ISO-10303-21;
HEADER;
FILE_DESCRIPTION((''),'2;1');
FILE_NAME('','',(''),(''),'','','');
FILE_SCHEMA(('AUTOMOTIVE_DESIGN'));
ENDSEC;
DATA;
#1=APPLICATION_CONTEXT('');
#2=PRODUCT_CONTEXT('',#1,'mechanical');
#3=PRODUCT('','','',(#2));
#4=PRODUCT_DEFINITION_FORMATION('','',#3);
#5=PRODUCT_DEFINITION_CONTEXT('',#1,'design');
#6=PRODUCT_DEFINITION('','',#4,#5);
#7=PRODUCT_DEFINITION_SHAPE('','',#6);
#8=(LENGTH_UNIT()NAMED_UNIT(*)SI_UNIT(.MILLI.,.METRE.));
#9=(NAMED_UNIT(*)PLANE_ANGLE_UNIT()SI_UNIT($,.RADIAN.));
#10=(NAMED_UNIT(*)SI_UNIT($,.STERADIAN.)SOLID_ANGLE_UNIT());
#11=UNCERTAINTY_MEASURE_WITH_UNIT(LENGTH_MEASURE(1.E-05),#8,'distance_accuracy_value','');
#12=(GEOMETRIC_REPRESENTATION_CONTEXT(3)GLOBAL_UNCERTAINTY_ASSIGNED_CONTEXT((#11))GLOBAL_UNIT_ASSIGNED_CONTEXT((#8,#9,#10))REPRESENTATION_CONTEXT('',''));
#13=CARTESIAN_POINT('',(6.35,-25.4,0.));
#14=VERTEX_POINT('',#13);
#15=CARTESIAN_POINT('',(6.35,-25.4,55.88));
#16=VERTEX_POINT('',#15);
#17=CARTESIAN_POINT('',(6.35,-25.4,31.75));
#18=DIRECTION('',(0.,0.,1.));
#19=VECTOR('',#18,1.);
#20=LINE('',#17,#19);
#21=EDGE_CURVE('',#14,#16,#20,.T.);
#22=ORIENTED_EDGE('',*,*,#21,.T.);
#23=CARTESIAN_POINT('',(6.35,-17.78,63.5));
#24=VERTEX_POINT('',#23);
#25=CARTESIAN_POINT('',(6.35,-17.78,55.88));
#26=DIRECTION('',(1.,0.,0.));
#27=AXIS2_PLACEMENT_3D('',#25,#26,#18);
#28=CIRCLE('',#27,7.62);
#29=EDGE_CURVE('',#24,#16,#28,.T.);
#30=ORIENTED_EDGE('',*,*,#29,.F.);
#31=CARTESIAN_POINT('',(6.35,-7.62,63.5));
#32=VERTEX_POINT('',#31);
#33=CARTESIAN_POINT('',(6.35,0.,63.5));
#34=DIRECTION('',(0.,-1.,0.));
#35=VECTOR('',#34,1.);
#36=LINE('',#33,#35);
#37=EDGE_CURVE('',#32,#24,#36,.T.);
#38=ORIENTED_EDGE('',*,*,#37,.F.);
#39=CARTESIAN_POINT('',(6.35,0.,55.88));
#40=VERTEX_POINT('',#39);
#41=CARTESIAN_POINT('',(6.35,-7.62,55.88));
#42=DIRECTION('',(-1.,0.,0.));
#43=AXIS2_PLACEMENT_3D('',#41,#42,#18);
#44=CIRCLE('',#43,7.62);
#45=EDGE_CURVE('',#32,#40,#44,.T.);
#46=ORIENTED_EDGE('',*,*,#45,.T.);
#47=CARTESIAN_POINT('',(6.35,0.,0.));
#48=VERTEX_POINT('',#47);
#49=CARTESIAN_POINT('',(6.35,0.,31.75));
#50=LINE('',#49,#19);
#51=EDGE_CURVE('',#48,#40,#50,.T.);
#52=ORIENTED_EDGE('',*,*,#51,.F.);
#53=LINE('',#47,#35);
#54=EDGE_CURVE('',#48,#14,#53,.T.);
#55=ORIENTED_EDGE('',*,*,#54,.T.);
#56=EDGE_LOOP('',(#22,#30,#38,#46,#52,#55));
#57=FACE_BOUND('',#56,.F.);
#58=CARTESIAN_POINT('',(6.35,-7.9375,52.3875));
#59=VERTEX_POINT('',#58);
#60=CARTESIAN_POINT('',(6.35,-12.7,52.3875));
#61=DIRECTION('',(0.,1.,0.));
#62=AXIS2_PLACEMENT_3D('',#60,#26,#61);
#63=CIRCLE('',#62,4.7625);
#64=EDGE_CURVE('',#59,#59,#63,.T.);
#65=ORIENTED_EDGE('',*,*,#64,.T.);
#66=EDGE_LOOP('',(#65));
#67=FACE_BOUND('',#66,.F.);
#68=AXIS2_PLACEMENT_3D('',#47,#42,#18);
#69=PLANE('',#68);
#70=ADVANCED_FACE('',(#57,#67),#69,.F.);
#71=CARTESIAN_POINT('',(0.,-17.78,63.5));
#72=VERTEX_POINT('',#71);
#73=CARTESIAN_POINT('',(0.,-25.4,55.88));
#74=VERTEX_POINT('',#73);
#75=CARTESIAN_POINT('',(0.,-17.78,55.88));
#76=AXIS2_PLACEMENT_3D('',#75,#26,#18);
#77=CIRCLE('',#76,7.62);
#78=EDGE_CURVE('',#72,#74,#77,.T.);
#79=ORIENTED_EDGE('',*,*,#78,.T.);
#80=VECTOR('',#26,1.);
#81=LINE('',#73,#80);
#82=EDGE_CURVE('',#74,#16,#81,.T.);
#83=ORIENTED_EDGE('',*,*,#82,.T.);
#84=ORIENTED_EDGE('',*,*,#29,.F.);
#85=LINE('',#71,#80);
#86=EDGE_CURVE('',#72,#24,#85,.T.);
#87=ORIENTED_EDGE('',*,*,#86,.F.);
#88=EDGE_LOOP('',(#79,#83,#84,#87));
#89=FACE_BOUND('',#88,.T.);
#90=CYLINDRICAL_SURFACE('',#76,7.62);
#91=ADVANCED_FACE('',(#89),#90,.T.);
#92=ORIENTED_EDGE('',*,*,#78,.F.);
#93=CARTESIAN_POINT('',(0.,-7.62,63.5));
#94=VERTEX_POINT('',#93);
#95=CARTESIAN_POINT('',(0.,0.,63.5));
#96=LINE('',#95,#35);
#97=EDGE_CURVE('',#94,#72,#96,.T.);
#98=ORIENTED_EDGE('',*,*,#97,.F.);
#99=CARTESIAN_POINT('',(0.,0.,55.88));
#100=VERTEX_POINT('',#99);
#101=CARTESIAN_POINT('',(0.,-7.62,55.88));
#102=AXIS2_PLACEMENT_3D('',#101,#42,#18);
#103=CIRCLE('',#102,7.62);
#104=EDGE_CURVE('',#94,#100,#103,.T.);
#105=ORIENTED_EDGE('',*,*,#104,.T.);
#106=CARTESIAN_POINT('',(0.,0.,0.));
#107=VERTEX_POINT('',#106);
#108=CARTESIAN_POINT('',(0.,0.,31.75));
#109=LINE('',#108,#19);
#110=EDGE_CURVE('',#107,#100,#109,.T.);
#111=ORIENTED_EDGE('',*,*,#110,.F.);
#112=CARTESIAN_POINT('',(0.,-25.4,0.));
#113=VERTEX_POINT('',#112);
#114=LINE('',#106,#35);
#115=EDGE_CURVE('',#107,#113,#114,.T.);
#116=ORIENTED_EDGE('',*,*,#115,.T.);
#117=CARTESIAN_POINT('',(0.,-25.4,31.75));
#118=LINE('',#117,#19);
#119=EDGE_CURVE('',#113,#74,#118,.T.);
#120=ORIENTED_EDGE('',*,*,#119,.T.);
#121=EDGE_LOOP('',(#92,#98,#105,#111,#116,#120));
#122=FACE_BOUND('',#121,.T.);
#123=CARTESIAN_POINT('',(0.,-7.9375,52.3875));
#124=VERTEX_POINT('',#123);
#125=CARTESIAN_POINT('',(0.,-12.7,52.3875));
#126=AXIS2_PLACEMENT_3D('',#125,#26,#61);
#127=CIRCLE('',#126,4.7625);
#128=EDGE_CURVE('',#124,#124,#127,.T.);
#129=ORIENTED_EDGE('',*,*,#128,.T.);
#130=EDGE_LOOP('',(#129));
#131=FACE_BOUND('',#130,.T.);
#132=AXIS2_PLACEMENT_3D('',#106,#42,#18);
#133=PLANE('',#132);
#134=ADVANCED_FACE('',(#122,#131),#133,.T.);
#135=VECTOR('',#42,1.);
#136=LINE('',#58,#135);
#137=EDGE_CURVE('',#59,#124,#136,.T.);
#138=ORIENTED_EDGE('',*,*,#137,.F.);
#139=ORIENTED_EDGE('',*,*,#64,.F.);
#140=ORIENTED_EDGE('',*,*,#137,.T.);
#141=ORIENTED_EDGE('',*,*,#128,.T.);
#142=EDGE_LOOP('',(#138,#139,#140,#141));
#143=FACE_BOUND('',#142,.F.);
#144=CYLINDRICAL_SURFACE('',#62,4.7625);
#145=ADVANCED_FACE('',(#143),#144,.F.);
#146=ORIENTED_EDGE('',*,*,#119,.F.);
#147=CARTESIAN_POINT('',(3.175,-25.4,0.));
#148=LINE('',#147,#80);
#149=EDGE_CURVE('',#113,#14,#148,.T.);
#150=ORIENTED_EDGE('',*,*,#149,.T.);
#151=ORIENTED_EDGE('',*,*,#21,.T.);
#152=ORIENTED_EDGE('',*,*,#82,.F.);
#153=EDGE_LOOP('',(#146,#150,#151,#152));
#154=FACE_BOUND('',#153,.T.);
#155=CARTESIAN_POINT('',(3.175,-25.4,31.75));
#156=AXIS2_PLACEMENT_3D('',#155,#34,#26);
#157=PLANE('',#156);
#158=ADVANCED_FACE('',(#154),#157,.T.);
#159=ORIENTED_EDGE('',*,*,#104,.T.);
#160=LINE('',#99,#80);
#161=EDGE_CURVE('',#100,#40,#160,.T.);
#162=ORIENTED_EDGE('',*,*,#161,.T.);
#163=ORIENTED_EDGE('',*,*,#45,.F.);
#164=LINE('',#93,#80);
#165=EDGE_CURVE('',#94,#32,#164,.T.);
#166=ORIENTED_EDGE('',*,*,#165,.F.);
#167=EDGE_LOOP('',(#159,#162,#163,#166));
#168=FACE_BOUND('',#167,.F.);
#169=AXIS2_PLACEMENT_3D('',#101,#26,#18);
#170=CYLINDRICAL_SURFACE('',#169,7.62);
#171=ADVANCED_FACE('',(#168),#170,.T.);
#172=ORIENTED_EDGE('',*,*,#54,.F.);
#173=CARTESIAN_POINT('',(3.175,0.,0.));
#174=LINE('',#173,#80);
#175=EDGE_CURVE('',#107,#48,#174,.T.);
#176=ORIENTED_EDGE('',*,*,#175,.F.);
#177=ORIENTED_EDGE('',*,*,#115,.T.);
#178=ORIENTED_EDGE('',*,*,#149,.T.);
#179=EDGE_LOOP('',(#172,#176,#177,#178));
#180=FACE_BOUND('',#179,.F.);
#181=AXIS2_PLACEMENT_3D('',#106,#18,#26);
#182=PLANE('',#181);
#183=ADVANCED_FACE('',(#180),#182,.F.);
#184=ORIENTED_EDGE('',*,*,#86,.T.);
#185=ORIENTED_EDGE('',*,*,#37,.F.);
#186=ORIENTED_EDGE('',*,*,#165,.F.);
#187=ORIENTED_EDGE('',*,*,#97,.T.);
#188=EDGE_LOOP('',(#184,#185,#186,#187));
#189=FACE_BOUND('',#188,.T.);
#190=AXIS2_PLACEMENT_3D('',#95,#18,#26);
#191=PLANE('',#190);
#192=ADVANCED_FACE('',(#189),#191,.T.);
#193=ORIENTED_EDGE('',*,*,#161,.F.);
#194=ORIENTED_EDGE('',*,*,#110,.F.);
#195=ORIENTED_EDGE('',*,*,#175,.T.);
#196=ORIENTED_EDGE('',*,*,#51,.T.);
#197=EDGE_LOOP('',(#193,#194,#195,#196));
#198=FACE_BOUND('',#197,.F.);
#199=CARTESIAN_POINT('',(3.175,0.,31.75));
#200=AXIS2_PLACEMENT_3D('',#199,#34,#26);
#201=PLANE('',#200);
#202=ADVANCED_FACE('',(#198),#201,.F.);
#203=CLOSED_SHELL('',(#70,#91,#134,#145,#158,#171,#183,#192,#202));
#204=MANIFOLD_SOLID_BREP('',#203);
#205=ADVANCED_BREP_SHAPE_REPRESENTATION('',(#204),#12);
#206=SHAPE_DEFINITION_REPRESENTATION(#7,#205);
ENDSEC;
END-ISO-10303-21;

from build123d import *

# Parameters (mm, degrees)
F0_W     = 6.35
F0_H     = 63.5
F1_DEPTH = 25.4
F2_R     = 7.62
F3_R     = 4.7625
F4_DEPTH = 25.4


with BuildPart() as f1:
    # F0 (on Front) → F1 (new body)
    with BuildSketch(Plane.XZ):
        with Locations((3.175, 31.75)):
            Rectangle(F0_W, F0_H)
    extrude(amount=F1_DEPTH)

    # F2
    f2_edges = [f1.edges().sort_by_distance(p)[0] for p in [
        (3.175, -25.4, 63.5),
        (3.175, 0, 63.5),
    ]]
    fillet(f2_edges, radius=F2_R)

    # F3 (on face) → F4 (cut)
    with BuildSketch(Plane.YZ.offset(6.35)):
        with Locations((-12.7, 52.3875)):
            Circle(F3_R)
    extrude(amount=-F4_DEPTH, mode=Mode.SUBTRACT)


solid = f1.part
